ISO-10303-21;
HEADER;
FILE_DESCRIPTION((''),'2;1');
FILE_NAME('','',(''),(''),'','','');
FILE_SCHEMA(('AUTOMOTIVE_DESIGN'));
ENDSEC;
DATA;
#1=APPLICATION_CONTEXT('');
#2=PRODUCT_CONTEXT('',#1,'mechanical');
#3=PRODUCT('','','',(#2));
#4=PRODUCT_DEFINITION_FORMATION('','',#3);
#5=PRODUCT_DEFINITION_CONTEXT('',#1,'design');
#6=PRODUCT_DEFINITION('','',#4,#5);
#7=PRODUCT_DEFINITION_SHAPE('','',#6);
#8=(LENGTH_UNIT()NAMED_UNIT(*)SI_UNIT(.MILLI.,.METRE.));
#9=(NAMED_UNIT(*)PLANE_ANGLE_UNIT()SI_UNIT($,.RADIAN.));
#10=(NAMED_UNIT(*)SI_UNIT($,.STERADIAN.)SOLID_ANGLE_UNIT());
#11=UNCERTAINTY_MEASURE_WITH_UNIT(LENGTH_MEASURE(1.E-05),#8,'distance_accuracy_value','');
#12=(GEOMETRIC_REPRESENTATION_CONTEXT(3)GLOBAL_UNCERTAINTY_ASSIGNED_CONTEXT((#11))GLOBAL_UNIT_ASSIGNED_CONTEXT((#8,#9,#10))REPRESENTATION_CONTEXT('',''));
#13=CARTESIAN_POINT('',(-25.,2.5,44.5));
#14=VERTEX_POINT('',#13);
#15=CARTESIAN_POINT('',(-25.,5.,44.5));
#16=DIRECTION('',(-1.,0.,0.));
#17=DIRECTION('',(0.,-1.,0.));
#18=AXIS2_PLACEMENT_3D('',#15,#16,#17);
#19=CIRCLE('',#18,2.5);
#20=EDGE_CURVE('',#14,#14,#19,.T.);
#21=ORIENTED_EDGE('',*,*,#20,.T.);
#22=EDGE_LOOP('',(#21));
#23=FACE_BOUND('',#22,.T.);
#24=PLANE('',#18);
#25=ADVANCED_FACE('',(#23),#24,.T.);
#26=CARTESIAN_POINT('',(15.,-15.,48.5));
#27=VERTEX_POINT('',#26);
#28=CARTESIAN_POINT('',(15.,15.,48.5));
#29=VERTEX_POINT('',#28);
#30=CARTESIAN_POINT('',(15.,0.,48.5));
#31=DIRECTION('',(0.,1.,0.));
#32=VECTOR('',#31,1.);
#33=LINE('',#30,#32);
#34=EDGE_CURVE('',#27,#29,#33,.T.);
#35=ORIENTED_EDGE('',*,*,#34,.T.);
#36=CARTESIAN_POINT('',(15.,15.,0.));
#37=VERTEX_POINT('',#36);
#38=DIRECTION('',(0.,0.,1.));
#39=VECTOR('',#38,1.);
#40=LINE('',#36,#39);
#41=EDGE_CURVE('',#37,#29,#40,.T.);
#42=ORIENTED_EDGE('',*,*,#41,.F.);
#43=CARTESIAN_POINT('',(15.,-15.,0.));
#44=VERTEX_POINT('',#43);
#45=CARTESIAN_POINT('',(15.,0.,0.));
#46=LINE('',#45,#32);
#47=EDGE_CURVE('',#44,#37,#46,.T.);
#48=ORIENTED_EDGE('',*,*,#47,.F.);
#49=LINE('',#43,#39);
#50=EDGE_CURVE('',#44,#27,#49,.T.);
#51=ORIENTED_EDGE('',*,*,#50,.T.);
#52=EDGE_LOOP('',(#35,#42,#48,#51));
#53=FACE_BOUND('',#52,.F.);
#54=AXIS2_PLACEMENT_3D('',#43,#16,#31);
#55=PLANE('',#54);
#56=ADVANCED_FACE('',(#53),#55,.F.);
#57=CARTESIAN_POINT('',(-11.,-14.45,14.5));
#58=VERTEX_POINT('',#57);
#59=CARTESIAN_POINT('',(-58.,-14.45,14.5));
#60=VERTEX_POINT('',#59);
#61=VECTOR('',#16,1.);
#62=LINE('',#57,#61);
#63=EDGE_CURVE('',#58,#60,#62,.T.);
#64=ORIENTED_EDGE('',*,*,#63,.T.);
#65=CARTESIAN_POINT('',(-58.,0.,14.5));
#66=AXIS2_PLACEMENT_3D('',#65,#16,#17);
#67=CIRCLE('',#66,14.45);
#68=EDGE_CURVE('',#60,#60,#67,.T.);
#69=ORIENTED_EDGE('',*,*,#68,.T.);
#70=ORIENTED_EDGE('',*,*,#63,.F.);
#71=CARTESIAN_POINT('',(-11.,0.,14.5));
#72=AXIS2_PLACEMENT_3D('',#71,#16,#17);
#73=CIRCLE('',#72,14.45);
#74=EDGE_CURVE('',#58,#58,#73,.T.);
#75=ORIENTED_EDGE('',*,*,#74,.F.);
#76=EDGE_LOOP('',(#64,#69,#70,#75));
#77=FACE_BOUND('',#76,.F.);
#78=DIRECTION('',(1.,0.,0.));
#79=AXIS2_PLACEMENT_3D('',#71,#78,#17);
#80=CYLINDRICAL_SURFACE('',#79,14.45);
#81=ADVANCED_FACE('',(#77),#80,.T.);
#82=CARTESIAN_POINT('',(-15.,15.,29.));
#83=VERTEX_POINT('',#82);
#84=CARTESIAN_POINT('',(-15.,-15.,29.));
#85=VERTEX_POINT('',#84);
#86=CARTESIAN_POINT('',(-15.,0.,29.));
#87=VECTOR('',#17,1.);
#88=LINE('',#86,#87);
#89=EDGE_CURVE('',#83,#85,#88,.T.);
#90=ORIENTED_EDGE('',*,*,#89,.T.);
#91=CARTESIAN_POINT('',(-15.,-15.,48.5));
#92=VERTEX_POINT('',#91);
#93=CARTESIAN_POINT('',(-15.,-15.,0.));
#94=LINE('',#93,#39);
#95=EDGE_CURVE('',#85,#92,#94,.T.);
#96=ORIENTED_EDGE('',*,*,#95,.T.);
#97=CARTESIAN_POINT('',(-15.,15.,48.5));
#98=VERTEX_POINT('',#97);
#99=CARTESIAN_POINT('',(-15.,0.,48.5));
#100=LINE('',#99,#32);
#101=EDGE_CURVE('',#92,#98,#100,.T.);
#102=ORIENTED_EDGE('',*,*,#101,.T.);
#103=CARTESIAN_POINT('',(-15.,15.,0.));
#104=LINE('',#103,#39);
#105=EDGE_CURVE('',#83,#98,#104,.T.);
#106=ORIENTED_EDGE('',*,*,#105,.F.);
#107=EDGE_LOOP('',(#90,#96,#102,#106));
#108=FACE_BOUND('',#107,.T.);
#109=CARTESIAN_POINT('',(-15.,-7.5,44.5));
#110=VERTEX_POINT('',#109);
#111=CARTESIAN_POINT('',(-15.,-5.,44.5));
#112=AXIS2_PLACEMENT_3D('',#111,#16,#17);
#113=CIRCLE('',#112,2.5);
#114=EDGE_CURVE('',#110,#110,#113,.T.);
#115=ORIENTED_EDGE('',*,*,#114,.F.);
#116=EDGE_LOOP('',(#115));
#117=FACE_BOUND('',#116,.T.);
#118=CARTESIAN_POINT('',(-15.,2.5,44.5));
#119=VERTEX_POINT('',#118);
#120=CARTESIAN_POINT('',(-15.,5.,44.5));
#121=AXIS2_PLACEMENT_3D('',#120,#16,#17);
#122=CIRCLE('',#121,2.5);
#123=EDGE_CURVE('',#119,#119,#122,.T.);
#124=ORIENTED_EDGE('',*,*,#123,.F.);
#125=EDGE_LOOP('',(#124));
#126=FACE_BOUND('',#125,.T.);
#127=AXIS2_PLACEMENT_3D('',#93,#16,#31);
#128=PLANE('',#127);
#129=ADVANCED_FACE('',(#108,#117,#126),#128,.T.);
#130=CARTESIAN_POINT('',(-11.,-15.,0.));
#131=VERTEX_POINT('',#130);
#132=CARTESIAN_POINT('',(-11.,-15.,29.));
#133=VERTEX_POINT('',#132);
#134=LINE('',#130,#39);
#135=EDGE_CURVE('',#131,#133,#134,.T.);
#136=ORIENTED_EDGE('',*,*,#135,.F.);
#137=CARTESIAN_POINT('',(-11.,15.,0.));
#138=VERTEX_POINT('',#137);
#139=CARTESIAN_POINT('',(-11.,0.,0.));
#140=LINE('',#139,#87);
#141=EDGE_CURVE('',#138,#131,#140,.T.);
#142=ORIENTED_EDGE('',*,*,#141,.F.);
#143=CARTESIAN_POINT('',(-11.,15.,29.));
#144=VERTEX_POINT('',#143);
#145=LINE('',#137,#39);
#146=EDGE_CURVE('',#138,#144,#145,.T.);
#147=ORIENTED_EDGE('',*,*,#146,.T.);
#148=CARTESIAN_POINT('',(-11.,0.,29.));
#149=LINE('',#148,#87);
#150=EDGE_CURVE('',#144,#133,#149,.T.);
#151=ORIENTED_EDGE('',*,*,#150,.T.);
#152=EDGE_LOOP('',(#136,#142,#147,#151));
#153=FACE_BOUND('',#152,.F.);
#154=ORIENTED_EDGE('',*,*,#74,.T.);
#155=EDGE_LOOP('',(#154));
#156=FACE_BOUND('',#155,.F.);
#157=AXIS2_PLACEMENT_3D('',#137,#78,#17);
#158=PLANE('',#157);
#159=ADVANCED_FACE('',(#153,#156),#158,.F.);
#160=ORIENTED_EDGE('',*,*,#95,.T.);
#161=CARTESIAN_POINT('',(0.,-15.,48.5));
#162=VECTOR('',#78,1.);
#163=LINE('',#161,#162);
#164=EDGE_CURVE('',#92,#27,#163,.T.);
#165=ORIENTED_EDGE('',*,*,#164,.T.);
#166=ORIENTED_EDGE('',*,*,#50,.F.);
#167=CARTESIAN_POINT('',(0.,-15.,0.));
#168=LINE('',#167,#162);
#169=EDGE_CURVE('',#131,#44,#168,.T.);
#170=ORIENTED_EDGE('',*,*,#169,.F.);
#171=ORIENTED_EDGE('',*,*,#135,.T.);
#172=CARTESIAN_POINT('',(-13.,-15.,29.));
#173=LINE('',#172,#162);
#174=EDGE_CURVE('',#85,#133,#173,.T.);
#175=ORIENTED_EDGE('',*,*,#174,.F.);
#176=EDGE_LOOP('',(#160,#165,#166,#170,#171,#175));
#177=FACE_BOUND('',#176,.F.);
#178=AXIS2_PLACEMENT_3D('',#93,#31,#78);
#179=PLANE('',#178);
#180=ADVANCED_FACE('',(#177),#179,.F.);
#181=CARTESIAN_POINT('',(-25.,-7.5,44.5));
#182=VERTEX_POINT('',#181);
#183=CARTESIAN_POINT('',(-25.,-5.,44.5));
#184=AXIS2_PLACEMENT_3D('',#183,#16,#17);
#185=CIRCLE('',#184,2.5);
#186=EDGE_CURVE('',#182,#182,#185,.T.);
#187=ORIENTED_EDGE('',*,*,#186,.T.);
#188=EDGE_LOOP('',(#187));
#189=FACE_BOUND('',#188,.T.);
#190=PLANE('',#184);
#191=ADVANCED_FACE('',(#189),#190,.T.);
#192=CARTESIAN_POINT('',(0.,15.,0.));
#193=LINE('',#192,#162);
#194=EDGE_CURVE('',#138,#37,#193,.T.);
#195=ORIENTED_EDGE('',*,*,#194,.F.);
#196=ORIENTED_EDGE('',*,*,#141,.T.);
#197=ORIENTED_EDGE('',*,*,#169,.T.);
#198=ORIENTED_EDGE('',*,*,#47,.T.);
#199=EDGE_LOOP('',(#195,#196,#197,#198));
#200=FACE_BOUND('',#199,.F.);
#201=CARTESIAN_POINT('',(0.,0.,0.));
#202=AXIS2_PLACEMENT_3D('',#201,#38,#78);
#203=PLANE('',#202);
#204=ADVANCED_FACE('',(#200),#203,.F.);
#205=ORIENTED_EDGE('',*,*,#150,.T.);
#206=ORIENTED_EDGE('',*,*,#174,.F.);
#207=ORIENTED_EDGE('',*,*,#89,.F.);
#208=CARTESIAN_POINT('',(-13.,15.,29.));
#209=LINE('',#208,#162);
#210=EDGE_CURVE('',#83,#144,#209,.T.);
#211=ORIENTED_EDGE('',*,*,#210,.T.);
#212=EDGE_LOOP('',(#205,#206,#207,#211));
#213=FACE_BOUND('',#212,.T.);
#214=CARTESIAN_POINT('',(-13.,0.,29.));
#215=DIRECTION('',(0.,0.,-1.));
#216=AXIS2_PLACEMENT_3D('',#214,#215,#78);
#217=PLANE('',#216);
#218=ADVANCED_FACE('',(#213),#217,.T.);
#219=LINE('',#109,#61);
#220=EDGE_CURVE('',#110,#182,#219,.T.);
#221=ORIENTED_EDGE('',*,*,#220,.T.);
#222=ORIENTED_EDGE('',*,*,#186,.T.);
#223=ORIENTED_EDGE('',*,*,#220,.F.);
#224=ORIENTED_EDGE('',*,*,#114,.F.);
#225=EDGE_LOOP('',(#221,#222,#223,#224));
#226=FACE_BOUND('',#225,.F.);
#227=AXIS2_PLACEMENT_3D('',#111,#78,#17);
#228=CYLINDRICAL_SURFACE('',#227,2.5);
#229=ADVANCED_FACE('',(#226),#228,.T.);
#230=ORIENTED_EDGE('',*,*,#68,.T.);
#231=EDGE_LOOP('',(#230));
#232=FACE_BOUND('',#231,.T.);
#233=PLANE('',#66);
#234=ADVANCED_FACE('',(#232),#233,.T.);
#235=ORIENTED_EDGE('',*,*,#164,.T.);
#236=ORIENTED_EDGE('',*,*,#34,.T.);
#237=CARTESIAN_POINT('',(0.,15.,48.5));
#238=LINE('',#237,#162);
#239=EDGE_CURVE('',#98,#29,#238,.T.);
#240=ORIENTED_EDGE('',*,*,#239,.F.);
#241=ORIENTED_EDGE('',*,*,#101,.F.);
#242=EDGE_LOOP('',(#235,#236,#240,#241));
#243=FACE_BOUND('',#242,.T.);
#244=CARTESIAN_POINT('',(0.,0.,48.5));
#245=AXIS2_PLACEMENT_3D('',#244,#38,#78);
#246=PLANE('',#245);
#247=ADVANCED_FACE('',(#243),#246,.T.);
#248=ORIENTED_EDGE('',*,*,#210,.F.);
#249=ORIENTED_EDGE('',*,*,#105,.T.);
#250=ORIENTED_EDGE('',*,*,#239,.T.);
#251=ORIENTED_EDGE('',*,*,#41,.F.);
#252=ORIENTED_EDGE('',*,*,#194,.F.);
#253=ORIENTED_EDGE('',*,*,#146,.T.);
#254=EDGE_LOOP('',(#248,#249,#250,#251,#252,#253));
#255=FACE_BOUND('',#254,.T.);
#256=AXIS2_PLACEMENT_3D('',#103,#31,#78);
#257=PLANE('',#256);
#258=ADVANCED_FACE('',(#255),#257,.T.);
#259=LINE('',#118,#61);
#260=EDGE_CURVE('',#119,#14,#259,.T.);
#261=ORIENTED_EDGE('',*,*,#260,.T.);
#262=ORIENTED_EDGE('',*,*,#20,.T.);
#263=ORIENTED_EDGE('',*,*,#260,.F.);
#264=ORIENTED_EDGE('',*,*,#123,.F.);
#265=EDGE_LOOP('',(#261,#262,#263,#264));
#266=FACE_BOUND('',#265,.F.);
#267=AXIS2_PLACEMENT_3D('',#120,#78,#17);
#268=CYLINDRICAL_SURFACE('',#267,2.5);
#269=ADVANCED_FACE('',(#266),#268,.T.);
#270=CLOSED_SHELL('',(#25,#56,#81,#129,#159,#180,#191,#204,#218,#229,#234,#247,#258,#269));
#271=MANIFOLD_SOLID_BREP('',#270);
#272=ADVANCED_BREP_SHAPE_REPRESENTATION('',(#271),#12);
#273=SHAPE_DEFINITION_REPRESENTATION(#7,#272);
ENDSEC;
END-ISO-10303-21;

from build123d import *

# Parameters (mm, degrees)
F0_W     = 30
F0_H     = 30
F1_DEPTH = 48.5
F2_W     = 4
F2_H     = 30
F3_DEPTH = 29
F4_R     = 14.45
F5_DEPTH = 47
F6_R     = 2.5
F7_DEPTH = 10


with BuildPart() as f1:
    # F0 (on Top) → F1 (new body)
    with BuildSketch(Plane.XY):
        Rectangle(F0_W, F0_H)
    extrude(amount=F1_DEPTH)

    # F2 (on face) → F3 (cut)
    with BuildSketch(Plane(origin=(0, 0, 0), x_dir=(1, 0, 0), z_dir=(0, 0, -1))):
        with Locations((-13, 0)):
            Rectangle(F2_W, F2_H)
    extrude(amount=-F3_DEPTH, mode=Mode.SUBTRACT)

    # F4 (on face) → F5 (join)
    with BuildSketch(Plane(origin=(-11, 0, 0), x_dir=(0, -1, 0), z_dir=(-1, 0, 0))):
        with Locations((0, 14.5)):
            Circle(F4_R)
    extrude(amount=F5_DEPTH)

    # F6 (on face) → F7 (join)
    with BuildSketch(Plane(origin=(-15, 0, 0), x_dir=(0, -1, 0), z_dir=(-1, 0, 0))):
        with Locations((5, 44.5)):
            Circle(F6_R)
        with Locations((-5, 44.5)):
            Circle(F6_R)
    extrude(amount=F7_DEPTH)


solid = f1.part
